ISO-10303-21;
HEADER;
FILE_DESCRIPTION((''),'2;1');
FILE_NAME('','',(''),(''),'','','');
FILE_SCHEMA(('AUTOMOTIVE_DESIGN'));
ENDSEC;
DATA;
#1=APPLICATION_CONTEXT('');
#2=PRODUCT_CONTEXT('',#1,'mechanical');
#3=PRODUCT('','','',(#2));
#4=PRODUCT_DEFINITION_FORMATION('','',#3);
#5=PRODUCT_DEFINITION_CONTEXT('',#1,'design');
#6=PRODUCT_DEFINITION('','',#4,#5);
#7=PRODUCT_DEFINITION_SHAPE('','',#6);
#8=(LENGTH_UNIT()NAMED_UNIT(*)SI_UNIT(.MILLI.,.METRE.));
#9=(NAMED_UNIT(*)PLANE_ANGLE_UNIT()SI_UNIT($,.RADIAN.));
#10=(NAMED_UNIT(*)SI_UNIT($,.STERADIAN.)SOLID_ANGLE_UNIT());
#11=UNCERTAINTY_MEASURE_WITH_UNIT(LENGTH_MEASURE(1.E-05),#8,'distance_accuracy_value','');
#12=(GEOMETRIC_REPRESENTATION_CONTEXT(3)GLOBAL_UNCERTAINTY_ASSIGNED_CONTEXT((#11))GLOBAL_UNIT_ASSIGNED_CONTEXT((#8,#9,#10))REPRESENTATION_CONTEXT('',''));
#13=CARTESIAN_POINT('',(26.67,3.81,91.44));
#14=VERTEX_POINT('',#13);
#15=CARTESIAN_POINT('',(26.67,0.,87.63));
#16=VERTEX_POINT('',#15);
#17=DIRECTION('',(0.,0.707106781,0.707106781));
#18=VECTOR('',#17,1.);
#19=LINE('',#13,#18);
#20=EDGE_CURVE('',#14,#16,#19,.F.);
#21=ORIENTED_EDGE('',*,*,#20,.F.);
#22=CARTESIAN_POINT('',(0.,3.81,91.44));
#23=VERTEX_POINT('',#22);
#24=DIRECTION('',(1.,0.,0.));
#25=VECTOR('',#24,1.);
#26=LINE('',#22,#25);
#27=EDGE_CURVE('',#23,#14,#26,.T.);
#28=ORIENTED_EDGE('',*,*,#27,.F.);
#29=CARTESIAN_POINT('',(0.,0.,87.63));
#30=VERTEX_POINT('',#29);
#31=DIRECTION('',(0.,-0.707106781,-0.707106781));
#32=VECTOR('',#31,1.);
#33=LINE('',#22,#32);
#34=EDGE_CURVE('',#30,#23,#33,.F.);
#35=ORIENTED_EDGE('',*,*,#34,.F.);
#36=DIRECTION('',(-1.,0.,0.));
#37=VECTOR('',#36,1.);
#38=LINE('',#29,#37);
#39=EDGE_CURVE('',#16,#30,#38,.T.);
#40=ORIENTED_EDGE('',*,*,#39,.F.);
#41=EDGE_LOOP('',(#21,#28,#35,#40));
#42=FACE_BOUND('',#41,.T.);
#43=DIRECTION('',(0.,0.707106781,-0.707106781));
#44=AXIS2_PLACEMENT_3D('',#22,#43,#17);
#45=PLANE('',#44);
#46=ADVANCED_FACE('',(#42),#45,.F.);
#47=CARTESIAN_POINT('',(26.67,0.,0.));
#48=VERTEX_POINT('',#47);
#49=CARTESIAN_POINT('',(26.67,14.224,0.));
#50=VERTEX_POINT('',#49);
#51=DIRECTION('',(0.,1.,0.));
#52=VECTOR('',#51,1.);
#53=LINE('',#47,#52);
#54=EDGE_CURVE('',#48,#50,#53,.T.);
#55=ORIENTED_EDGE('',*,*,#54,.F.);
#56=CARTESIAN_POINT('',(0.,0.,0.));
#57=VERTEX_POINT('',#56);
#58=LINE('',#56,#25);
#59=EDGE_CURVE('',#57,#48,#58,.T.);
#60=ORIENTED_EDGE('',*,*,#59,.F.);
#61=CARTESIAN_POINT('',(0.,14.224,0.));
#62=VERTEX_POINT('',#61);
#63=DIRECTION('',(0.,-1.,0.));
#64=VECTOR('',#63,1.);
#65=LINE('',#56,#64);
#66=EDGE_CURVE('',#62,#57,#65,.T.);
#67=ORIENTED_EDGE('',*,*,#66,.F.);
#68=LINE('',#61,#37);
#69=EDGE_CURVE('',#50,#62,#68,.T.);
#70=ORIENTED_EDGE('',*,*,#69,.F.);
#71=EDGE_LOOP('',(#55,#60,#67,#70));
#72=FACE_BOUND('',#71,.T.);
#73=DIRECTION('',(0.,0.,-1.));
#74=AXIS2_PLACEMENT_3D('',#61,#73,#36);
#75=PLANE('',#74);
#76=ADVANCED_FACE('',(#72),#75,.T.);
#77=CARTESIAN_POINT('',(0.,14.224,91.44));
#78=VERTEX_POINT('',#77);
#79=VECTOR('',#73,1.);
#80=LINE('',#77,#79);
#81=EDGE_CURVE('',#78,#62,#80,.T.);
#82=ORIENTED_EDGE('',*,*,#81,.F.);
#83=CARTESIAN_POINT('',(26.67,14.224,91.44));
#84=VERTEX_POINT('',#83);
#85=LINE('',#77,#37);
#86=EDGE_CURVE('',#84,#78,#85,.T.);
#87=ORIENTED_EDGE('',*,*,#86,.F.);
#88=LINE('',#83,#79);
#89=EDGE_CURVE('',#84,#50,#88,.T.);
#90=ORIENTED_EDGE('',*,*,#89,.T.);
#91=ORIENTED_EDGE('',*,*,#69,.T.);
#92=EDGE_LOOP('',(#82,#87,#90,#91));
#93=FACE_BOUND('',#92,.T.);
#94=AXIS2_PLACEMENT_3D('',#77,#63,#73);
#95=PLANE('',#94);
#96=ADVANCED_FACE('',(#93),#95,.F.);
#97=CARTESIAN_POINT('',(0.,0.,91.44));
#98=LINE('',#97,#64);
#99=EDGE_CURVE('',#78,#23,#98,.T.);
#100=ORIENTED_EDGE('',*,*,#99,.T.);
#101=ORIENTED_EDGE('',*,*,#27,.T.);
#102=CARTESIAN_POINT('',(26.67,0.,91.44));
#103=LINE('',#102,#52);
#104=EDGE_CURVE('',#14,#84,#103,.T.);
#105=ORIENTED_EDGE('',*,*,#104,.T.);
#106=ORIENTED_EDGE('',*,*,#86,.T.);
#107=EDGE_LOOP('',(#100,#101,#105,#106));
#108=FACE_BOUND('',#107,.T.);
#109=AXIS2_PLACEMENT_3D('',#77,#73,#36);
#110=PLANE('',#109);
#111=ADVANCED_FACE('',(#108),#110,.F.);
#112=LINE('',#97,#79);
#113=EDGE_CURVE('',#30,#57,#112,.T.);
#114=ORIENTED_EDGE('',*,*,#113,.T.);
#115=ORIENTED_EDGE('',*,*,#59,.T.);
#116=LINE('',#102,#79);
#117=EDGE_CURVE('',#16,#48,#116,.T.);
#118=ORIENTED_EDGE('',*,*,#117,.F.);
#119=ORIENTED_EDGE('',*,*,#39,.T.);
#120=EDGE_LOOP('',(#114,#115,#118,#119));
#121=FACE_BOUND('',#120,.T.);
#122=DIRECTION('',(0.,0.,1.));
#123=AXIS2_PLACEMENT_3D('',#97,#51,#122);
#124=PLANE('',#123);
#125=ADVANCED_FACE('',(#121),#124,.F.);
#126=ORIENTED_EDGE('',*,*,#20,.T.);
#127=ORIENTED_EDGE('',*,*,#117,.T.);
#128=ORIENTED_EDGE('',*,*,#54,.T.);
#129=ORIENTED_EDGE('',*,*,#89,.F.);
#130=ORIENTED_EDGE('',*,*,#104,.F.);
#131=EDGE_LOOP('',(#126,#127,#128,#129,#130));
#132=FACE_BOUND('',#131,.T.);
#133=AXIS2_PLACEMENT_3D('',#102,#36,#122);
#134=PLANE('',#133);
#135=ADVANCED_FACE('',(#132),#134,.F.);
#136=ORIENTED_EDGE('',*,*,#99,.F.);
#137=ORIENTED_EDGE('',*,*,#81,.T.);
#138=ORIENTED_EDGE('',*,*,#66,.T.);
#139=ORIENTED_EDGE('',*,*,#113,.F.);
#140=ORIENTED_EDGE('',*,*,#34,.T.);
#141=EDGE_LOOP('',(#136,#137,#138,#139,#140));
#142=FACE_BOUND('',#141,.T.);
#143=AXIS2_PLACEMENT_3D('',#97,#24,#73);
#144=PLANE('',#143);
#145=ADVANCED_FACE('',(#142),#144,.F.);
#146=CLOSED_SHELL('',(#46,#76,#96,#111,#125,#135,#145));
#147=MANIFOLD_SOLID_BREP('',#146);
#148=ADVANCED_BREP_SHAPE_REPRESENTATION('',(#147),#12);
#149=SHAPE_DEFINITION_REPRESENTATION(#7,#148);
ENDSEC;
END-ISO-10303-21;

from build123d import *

# Parameters (mm, degrees)
SKETCH1_W           = 26.67
SKETCH1_H           = 14.224
BOSS_EXTRUDE1_DEPTH = 91.44
CHAMFER1_SIZE       = 3.81


with BuildPart() as part:
    # Sketch1 → Boss-Extrude1 (new body)
    with BuildSketch(Plane.XY):
        with Locations((13.335, 7.112)):
            Rectangle(SKETCH1_W, SKETCH1_H)
    extrude(amount=BOSS_EXTRUDE1_DEPTH)

    # Chamfer1
    chamfer1_edges = [part.edges().sort_by_distance(p)[0] for p in [
        (13.335, 0, 91.44),
    ]]
    chamfer(chamfer1_edges, length=CHAMFER1_SIZE)


solid = part.part
